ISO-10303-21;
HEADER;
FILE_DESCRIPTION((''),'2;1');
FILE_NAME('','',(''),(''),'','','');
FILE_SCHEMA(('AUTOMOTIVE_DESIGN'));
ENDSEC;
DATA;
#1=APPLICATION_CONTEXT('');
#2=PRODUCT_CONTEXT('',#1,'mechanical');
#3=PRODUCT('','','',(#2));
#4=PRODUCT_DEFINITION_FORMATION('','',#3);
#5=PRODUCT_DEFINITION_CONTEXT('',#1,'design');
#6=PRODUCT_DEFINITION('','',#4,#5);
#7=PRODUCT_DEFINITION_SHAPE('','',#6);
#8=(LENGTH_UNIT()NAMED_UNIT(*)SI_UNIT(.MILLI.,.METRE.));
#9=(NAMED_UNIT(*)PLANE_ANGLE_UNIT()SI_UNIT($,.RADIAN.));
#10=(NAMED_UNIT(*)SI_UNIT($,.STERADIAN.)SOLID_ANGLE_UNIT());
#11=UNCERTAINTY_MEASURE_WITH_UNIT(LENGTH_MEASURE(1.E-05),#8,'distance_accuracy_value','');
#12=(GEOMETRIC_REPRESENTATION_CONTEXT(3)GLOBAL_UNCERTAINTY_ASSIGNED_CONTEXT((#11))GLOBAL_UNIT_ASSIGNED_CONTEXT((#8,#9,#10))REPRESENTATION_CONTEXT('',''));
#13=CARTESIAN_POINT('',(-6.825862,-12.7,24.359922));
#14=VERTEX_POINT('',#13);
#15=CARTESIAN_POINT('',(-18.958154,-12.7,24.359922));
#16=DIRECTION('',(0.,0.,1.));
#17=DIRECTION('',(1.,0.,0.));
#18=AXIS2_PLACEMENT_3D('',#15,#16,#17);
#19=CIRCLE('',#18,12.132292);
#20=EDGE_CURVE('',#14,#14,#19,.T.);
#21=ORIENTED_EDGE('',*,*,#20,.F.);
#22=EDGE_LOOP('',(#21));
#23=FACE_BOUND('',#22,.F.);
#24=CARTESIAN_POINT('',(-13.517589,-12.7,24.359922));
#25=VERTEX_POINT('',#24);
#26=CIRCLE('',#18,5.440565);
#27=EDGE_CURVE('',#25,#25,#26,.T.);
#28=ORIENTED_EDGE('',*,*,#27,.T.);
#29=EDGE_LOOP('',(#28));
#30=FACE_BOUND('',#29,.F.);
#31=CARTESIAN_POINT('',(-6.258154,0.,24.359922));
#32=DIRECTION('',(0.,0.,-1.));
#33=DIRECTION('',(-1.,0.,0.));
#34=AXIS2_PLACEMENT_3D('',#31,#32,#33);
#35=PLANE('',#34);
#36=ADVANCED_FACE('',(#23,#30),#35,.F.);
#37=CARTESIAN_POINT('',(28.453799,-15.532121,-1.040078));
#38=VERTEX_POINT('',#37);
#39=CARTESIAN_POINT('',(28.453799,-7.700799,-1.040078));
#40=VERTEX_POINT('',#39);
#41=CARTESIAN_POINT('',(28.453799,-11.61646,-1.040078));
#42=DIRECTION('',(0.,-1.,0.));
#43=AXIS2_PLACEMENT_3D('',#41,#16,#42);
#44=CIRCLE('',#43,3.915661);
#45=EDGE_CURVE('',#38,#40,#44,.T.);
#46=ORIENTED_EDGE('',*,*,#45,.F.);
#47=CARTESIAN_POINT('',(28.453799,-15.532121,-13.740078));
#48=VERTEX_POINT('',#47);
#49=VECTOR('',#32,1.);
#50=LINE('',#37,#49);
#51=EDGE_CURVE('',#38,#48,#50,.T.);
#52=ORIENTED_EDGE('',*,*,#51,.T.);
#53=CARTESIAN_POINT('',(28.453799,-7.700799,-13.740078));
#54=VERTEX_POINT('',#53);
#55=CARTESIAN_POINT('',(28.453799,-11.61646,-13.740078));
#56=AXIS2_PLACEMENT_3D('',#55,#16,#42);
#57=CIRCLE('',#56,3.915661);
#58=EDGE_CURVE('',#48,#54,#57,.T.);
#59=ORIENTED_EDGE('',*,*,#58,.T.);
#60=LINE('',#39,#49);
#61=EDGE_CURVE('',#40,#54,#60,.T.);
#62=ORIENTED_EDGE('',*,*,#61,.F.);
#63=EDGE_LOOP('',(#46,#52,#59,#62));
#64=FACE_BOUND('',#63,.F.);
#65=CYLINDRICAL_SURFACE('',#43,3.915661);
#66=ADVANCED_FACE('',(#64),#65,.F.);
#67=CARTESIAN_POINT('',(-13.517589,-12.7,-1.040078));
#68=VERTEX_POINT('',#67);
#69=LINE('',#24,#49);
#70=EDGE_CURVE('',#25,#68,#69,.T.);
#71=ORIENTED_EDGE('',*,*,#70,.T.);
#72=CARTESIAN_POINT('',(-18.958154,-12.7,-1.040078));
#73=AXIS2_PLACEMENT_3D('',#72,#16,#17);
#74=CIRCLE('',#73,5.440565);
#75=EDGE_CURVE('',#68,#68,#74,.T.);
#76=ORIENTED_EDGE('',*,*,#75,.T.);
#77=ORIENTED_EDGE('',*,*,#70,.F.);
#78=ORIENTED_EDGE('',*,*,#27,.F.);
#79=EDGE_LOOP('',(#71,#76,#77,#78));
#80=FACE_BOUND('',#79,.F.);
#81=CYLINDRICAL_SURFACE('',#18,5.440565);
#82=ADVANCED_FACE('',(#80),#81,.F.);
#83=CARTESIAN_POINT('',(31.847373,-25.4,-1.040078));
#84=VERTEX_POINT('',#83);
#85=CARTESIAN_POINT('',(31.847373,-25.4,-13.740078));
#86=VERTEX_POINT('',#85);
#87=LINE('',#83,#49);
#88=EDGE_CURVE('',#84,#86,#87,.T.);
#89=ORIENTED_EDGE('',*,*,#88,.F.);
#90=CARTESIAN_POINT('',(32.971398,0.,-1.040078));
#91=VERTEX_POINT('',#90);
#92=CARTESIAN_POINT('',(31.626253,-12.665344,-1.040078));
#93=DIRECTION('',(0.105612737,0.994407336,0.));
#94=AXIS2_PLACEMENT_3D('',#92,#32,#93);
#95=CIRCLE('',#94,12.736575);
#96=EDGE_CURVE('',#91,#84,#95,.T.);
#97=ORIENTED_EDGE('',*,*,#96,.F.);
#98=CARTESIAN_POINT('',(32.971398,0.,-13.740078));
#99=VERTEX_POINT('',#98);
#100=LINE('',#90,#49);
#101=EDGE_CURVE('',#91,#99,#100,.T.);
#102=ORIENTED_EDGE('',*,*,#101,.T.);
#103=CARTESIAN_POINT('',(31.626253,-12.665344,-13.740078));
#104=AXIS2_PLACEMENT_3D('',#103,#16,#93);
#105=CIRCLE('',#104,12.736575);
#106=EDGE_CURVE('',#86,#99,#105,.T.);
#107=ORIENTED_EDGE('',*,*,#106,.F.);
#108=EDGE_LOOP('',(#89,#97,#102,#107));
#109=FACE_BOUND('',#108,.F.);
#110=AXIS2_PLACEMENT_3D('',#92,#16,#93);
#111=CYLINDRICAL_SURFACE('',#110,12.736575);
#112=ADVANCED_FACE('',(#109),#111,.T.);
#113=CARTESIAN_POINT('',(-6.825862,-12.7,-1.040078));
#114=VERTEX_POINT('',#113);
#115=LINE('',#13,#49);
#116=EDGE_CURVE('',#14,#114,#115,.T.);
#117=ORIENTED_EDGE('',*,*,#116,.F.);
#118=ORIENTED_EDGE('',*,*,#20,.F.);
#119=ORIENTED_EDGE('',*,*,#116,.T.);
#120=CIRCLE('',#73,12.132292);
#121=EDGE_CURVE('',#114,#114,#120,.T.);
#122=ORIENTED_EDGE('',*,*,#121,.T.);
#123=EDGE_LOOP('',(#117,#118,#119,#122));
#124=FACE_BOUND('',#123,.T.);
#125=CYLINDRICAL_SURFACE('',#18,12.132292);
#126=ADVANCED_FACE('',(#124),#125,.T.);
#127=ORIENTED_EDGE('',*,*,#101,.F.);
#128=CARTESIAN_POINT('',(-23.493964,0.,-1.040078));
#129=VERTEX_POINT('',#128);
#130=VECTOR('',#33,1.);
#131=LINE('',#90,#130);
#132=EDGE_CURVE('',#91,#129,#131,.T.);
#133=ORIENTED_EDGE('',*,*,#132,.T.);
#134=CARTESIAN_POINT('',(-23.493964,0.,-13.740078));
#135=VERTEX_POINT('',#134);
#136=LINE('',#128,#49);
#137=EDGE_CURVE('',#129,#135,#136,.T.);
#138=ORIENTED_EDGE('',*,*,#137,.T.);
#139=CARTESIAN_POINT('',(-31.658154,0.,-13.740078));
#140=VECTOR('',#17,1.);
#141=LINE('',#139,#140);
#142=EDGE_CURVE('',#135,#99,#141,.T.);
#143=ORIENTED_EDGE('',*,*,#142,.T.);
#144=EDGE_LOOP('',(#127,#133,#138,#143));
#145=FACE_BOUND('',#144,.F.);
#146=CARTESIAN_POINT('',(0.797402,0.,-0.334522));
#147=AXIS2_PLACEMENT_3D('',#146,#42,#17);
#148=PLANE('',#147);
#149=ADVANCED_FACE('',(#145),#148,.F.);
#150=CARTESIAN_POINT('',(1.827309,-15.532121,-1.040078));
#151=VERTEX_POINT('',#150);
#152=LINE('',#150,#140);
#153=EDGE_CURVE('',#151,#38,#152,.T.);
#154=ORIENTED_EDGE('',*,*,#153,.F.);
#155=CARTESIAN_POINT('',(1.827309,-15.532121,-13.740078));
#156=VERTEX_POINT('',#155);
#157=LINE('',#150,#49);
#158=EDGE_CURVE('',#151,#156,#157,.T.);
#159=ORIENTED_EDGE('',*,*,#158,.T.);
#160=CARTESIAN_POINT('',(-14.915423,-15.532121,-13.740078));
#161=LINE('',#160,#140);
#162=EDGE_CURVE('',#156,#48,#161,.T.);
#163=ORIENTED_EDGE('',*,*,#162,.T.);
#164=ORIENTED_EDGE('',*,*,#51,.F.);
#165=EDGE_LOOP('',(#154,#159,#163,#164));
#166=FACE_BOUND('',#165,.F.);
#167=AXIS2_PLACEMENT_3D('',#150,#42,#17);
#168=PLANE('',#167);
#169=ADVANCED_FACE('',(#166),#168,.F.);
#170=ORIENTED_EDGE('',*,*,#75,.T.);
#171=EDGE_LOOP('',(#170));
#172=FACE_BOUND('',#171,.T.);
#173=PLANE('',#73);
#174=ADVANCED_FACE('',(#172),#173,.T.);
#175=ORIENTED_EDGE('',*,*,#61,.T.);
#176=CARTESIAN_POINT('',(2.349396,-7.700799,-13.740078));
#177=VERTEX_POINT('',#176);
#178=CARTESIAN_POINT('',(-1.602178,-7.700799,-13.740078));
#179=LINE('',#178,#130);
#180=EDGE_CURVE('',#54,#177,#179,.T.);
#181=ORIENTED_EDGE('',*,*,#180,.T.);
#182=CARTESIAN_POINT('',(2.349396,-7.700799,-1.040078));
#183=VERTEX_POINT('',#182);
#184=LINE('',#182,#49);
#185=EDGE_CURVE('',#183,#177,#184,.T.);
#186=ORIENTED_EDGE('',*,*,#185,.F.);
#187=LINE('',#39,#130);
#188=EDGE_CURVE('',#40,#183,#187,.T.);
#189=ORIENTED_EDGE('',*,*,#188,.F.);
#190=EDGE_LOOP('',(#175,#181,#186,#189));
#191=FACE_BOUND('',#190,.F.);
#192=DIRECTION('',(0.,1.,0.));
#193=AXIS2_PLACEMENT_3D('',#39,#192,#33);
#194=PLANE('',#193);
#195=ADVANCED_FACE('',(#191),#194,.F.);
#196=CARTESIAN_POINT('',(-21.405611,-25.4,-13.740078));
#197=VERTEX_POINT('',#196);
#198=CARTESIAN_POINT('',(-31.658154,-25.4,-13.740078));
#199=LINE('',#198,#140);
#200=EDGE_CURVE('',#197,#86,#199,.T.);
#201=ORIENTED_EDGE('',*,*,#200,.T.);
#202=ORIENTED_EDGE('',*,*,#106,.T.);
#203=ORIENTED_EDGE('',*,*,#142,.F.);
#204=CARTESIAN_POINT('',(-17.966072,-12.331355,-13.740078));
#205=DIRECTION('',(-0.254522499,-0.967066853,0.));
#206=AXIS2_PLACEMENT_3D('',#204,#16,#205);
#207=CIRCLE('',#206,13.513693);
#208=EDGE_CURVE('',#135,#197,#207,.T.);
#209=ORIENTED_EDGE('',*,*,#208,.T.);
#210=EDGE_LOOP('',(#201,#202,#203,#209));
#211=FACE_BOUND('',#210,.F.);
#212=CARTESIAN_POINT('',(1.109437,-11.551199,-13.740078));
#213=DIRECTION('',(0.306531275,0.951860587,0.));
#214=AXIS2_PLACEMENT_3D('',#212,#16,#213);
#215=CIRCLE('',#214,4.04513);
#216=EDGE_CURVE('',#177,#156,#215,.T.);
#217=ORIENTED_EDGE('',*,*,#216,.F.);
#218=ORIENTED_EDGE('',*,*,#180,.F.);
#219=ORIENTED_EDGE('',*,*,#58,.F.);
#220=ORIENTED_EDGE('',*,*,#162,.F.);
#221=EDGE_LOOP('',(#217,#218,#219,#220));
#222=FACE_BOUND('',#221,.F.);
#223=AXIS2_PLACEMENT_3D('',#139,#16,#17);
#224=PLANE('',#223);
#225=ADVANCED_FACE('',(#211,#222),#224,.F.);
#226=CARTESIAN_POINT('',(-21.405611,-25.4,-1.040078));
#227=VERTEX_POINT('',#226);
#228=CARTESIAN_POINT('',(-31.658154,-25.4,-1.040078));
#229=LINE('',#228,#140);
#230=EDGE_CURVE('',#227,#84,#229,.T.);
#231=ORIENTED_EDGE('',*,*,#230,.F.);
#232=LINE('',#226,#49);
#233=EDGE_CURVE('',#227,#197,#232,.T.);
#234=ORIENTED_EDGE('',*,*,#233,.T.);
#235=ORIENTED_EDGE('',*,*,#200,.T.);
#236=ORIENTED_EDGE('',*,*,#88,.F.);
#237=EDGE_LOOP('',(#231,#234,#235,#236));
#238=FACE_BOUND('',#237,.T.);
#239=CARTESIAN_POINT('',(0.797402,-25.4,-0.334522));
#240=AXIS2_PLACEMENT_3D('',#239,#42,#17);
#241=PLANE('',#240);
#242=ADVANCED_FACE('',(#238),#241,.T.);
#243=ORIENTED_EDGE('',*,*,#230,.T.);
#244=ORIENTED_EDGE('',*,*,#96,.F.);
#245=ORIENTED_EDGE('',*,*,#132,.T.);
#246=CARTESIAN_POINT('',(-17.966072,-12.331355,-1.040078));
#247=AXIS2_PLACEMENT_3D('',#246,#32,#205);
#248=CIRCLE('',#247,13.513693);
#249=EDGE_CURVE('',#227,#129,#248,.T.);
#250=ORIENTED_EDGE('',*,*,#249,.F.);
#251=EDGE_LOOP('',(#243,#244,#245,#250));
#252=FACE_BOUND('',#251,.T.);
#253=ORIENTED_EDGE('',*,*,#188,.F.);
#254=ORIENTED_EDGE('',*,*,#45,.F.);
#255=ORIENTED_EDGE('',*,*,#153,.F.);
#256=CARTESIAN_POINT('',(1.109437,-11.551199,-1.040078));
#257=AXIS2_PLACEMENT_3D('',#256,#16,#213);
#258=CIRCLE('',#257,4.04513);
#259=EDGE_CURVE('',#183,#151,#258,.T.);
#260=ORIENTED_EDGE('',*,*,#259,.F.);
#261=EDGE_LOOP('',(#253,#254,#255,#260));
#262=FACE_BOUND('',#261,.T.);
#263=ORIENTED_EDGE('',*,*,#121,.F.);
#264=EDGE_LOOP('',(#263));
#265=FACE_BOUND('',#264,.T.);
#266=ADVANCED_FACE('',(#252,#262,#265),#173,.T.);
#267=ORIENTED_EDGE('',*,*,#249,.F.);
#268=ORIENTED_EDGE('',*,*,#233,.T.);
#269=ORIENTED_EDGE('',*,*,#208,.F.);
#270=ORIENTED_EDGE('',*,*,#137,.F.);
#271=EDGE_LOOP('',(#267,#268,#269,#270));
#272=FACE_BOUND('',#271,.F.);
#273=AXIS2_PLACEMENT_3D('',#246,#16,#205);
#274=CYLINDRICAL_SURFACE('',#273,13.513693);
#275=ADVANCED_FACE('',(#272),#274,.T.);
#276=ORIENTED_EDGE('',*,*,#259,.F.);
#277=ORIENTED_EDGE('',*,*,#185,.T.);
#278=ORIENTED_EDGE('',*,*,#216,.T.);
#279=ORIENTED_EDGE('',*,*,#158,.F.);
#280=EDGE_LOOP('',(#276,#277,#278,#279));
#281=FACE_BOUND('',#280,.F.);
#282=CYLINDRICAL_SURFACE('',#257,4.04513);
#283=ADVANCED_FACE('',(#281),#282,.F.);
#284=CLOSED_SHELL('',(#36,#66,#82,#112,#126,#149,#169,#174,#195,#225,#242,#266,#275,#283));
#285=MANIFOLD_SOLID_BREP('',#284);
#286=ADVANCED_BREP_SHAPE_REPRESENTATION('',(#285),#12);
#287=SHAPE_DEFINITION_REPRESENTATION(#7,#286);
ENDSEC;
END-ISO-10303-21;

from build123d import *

# Parameters (mm, degrees)
F1_DEPTH = 25.4
F3_DEPTH = 25.4
F4_W     = 25.4
F4_H     = 25.4
F4_R     = 12.132292
F4_R_2   = 5.440565
F5_DEPTH = 25.4
F7_DEPTH = 25.4
F9_DEPTH = 25.4


with BuildPart() as f1:
    # F0 (on Front) → F1 (new body)
    with BuildSketch(Plane.XZ):
        Polygon((-6.258154, 24.359922), (-31.658154, 24.359922), (-31.658154, -13.740078), (44.541846, -13.740078), (44.541846, -1.040078), (-6.258154, -1.040078), align=None)
    extrude(amount=F1_DEPTH)

    # F2 (on face) → F3 (cut)
    with BuildSketch(Plane.XY.offset(-1.040078)):
        with BuildLine():
            ThreePointArc((32.971398, 0), (44.350376, -13.228424), (31.847373, -25.4))
            Line((31.847373, -25.4), (44.541846, -25.4))
            Line((44.541846, -25.4), (44.541846, 0))
            Line((44.541846, 0), (32.971398, 0))
        make_face()
    extrude(amount=-F3_DEPTH, mode=Mode.SUBTRACT)

    # F4 (on face) → F5 (cut)
    with BuildSketch(Plane.XY.offset(24.359922)):
        with Locations((-18.958154, -12.7)):
            Rectangle(F4_W, F4_H)
        with Locations((-18.958154, -12.7)):
            Circle(F4_R, mode=Mode.SUBTRACT)
        with Locations((-18.958154, -12.7)):
            Circle(F4_R_2)
    extrude(amount=-F5_DEPTH, mode=Mode.SUBTRACT)

    # F6 (on face) → F7 (cut)
    with BuildSketch(Plane.XY.offset(-1.040078)):
        with BuildLine():
            Line((-23.493964, 0), (-31.658154, 0))
            Line((-31.658154, 0), (-31.658154, -25.4))
            Line((-31.658154, -25.4), (-21.405611, -25.4))
            ThreePointArc((-21.405611, -25.4), (-31.43432, -13.438696), (-23.493964, 0))
        make_face()
    extrude(amount=-F7_DEPTH, mode=Mode.SUBTRACT)

    # F8 (on face) → F9 (cut)
    with BuildSketch(Plane.XY.offset(-1.040078)):
        with BuildLine():
            Line((28.453799, -7.700799), (2.349396, -7.700799))
            ThreePointArc((2.349396, -7.700799), (-2.926734, -11.282122), (1.827309, -15.532121))
            Line((1.827309, -15.532121), (28.453799, -15.532121))
            ThreePointArc((28.453799, -15.532121), (32.36946, -11.61646), (28.453799, -7.700799))
        make_face()
    extrude(amount=-F9_DEPTH, mode=Mode.SUBTRACT)


solid = f1.part
